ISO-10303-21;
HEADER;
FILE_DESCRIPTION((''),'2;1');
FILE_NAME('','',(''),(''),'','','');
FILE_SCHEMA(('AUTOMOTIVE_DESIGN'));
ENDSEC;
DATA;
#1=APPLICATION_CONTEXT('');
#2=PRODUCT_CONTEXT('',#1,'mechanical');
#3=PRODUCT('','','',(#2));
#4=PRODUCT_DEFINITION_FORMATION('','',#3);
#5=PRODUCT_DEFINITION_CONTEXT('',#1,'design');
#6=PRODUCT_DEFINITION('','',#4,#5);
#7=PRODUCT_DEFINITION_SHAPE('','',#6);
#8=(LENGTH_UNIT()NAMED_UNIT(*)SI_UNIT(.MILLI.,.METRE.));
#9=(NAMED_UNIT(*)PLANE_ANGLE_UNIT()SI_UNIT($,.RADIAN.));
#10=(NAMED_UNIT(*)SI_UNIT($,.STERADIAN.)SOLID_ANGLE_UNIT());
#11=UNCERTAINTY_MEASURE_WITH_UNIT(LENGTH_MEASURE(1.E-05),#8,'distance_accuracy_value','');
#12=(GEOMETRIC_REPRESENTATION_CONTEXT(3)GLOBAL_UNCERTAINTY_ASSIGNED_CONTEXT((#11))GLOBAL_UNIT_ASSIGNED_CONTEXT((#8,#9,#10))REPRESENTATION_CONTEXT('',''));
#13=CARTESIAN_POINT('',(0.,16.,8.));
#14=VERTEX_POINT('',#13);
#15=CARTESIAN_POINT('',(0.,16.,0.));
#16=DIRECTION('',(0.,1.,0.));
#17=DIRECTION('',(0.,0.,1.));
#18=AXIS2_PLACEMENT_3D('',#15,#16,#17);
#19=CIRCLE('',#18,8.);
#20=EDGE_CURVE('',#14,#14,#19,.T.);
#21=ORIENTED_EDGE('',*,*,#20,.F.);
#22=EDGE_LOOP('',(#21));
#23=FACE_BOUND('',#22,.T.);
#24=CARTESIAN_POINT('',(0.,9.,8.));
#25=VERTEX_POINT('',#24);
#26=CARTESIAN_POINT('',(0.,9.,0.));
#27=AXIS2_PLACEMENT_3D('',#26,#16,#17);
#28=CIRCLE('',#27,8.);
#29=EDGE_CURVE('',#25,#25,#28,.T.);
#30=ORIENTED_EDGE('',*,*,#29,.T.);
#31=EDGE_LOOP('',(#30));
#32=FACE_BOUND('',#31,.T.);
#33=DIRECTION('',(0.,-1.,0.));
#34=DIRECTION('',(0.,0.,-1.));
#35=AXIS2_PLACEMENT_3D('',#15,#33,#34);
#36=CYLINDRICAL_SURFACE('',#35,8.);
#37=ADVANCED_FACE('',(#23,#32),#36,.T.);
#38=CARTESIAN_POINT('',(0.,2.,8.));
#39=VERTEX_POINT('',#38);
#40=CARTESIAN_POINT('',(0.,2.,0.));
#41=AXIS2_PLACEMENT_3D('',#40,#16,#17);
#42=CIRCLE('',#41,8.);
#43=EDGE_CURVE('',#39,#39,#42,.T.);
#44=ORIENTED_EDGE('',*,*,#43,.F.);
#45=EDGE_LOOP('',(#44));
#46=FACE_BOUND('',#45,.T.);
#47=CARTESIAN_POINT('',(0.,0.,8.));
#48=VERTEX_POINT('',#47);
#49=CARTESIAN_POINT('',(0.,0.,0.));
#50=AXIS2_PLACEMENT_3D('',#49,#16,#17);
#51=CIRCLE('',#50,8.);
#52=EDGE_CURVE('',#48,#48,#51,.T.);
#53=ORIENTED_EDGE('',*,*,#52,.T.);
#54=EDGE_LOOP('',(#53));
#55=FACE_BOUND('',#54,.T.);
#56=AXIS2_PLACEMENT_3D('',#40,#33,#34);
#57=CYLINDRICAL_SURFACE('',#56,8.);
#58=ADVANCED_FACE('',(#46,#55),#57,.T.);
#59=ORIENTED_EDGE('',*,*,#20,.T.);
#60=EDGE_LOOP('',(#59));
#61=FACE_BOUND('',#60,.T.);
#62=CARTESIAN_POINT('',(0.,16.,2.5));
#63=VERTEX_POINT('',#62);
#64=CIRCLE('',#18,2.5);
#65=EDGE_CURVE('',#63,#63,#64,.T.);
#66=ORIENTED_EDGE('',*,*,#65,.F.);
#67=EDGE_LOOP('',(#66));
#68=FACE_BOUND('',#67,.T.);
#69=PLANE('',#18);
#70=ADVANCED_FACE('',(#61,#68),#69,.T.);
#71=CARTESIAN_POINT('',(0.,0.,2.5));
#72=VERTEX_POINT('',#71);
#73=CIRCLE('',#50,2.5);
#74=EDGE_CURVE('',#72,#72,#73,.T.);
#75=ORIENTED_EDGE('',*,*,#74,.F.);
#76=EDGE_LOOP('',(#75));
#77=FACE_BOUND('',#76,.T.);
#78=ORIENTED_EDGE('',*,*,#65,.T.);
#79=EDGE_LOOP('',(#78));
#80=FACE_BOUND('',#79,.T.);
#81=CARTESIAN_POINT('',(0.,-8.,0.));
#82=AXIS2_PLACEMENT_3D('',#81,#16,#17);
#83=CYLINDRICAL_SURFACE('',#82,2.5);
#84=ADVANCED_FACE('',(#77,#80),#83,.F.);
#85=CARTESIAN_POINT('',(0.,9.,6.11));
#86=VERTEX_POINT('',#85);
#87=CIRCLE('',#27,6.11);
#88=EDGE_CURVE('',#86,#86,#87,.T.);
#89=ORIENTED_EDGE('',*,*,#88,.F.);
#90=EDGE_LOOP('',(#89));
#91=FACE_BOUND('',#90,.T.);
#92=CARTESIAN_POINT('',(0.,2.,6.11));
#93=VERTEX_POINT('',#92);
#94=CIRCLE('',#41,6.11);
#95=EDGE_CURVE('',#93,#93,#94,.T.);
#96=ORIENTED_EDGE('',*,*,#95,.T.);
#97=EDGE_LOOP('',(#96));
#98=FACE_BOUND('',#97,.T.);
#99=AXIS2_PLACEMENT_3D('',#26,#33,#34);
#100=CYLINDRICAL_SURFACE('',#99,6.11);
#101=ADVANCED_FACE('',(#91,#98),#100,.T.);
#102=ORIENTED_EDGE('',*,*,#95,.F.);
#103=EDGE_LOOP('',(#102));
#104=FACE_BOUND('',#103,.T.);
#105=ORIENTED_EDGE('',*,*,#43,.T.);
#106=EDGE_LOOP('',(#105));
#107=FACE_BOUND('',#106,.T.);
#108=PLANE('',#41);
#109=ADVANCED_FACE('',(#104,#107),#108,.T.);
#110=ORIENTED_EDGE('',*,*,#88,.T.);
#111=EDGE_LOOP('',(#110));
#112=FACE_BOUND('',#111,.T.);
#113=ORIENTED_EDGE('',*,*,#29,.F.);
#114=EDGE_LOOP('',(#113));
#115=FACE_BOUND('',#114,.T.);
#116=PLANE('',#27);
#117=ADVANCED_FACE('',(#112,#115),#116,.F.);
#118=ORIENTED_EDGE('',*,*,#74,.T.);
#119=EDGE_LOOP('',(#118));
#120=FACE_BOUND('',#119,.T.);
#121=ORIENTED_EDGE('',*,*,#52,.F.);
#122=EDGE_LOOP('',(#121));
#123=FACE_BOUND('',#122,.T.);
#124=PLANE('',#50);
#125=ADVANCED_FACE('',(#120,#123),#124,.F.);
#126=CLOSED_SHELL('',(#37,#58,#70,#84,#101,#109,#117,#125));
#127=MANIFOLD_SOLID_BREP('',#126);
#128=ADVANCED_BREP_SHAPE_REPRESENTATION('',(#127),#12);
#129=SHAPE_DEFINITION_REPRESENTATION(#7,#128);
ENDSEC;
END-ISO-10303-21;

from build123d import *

# Parameters (mm, degrees)
SKETCH_1_R          = 8
EXTRUDE_1_DEPTH     = 2
SKETCH_2_R          = 6.11
EXTRUDE_2_DEPTH     = 7
SKETCH_3_R          = 8
EXTRUDE_3_DEPTH     = 7
SKETCH_4_R          = 2.5
CUT_EXTRUDE_1_DEPTH = 24


with BuildPart() as part:
    # 草图1 → 凸台-拉伸1 (new body)
    with BuildSketch(Plane(origin=(0, 0, 0), x_dir=(1, 0, 0), z_dir=(0, 1, 0))):
        with Locations(Location((0, 0, 0), (0, 0, 270))):
            Circle(SKETCH_1_R)
    extrude(amount=EXTRUDE_1_DEPTH)

    # 草图2 → 凸台-拉伸2 (add)
    with BuildSketch(Plane(origin=(0, 2, 0), x_dir=(1, 0, 0), z_dir=(0, 1, 0))):
        with Locations(Location((0, 0, 0), (0, 0, 270))):
            Circle(SKETCH_2_R)
    extrude(amount=EXTRUDE_2_DEPTH)

    # 草图3 → 凸台-拉伸3 (add)
    with BuildSketch(Plane(origin=(0, 9, 0), x_dir=(1, 0, 0), z_dir=(0, 1, 0))):
        with Locations(Location((0, 0, 0), (0, 0, 270))):
            Circle(SKETCH_3_R)
    extrude(amount=EXTRUDE_3_DEPTH)

    # 草图4 → 切除-拉伸1 (cut)
    with BuildSketch(Plane(origin=(0, 16, 0), x_dir=(1, 0, 0), z_dir=(0, 1, 0))):
        with Locations(Location((0, 0, 0), (0, 0, 270))):
            Circle(SKETCH_4_R)
    extrude(amount=-CUT_EXTRUDE_1_DEPTH, mode=Mode.SUBTRACT)


solid = part.part
